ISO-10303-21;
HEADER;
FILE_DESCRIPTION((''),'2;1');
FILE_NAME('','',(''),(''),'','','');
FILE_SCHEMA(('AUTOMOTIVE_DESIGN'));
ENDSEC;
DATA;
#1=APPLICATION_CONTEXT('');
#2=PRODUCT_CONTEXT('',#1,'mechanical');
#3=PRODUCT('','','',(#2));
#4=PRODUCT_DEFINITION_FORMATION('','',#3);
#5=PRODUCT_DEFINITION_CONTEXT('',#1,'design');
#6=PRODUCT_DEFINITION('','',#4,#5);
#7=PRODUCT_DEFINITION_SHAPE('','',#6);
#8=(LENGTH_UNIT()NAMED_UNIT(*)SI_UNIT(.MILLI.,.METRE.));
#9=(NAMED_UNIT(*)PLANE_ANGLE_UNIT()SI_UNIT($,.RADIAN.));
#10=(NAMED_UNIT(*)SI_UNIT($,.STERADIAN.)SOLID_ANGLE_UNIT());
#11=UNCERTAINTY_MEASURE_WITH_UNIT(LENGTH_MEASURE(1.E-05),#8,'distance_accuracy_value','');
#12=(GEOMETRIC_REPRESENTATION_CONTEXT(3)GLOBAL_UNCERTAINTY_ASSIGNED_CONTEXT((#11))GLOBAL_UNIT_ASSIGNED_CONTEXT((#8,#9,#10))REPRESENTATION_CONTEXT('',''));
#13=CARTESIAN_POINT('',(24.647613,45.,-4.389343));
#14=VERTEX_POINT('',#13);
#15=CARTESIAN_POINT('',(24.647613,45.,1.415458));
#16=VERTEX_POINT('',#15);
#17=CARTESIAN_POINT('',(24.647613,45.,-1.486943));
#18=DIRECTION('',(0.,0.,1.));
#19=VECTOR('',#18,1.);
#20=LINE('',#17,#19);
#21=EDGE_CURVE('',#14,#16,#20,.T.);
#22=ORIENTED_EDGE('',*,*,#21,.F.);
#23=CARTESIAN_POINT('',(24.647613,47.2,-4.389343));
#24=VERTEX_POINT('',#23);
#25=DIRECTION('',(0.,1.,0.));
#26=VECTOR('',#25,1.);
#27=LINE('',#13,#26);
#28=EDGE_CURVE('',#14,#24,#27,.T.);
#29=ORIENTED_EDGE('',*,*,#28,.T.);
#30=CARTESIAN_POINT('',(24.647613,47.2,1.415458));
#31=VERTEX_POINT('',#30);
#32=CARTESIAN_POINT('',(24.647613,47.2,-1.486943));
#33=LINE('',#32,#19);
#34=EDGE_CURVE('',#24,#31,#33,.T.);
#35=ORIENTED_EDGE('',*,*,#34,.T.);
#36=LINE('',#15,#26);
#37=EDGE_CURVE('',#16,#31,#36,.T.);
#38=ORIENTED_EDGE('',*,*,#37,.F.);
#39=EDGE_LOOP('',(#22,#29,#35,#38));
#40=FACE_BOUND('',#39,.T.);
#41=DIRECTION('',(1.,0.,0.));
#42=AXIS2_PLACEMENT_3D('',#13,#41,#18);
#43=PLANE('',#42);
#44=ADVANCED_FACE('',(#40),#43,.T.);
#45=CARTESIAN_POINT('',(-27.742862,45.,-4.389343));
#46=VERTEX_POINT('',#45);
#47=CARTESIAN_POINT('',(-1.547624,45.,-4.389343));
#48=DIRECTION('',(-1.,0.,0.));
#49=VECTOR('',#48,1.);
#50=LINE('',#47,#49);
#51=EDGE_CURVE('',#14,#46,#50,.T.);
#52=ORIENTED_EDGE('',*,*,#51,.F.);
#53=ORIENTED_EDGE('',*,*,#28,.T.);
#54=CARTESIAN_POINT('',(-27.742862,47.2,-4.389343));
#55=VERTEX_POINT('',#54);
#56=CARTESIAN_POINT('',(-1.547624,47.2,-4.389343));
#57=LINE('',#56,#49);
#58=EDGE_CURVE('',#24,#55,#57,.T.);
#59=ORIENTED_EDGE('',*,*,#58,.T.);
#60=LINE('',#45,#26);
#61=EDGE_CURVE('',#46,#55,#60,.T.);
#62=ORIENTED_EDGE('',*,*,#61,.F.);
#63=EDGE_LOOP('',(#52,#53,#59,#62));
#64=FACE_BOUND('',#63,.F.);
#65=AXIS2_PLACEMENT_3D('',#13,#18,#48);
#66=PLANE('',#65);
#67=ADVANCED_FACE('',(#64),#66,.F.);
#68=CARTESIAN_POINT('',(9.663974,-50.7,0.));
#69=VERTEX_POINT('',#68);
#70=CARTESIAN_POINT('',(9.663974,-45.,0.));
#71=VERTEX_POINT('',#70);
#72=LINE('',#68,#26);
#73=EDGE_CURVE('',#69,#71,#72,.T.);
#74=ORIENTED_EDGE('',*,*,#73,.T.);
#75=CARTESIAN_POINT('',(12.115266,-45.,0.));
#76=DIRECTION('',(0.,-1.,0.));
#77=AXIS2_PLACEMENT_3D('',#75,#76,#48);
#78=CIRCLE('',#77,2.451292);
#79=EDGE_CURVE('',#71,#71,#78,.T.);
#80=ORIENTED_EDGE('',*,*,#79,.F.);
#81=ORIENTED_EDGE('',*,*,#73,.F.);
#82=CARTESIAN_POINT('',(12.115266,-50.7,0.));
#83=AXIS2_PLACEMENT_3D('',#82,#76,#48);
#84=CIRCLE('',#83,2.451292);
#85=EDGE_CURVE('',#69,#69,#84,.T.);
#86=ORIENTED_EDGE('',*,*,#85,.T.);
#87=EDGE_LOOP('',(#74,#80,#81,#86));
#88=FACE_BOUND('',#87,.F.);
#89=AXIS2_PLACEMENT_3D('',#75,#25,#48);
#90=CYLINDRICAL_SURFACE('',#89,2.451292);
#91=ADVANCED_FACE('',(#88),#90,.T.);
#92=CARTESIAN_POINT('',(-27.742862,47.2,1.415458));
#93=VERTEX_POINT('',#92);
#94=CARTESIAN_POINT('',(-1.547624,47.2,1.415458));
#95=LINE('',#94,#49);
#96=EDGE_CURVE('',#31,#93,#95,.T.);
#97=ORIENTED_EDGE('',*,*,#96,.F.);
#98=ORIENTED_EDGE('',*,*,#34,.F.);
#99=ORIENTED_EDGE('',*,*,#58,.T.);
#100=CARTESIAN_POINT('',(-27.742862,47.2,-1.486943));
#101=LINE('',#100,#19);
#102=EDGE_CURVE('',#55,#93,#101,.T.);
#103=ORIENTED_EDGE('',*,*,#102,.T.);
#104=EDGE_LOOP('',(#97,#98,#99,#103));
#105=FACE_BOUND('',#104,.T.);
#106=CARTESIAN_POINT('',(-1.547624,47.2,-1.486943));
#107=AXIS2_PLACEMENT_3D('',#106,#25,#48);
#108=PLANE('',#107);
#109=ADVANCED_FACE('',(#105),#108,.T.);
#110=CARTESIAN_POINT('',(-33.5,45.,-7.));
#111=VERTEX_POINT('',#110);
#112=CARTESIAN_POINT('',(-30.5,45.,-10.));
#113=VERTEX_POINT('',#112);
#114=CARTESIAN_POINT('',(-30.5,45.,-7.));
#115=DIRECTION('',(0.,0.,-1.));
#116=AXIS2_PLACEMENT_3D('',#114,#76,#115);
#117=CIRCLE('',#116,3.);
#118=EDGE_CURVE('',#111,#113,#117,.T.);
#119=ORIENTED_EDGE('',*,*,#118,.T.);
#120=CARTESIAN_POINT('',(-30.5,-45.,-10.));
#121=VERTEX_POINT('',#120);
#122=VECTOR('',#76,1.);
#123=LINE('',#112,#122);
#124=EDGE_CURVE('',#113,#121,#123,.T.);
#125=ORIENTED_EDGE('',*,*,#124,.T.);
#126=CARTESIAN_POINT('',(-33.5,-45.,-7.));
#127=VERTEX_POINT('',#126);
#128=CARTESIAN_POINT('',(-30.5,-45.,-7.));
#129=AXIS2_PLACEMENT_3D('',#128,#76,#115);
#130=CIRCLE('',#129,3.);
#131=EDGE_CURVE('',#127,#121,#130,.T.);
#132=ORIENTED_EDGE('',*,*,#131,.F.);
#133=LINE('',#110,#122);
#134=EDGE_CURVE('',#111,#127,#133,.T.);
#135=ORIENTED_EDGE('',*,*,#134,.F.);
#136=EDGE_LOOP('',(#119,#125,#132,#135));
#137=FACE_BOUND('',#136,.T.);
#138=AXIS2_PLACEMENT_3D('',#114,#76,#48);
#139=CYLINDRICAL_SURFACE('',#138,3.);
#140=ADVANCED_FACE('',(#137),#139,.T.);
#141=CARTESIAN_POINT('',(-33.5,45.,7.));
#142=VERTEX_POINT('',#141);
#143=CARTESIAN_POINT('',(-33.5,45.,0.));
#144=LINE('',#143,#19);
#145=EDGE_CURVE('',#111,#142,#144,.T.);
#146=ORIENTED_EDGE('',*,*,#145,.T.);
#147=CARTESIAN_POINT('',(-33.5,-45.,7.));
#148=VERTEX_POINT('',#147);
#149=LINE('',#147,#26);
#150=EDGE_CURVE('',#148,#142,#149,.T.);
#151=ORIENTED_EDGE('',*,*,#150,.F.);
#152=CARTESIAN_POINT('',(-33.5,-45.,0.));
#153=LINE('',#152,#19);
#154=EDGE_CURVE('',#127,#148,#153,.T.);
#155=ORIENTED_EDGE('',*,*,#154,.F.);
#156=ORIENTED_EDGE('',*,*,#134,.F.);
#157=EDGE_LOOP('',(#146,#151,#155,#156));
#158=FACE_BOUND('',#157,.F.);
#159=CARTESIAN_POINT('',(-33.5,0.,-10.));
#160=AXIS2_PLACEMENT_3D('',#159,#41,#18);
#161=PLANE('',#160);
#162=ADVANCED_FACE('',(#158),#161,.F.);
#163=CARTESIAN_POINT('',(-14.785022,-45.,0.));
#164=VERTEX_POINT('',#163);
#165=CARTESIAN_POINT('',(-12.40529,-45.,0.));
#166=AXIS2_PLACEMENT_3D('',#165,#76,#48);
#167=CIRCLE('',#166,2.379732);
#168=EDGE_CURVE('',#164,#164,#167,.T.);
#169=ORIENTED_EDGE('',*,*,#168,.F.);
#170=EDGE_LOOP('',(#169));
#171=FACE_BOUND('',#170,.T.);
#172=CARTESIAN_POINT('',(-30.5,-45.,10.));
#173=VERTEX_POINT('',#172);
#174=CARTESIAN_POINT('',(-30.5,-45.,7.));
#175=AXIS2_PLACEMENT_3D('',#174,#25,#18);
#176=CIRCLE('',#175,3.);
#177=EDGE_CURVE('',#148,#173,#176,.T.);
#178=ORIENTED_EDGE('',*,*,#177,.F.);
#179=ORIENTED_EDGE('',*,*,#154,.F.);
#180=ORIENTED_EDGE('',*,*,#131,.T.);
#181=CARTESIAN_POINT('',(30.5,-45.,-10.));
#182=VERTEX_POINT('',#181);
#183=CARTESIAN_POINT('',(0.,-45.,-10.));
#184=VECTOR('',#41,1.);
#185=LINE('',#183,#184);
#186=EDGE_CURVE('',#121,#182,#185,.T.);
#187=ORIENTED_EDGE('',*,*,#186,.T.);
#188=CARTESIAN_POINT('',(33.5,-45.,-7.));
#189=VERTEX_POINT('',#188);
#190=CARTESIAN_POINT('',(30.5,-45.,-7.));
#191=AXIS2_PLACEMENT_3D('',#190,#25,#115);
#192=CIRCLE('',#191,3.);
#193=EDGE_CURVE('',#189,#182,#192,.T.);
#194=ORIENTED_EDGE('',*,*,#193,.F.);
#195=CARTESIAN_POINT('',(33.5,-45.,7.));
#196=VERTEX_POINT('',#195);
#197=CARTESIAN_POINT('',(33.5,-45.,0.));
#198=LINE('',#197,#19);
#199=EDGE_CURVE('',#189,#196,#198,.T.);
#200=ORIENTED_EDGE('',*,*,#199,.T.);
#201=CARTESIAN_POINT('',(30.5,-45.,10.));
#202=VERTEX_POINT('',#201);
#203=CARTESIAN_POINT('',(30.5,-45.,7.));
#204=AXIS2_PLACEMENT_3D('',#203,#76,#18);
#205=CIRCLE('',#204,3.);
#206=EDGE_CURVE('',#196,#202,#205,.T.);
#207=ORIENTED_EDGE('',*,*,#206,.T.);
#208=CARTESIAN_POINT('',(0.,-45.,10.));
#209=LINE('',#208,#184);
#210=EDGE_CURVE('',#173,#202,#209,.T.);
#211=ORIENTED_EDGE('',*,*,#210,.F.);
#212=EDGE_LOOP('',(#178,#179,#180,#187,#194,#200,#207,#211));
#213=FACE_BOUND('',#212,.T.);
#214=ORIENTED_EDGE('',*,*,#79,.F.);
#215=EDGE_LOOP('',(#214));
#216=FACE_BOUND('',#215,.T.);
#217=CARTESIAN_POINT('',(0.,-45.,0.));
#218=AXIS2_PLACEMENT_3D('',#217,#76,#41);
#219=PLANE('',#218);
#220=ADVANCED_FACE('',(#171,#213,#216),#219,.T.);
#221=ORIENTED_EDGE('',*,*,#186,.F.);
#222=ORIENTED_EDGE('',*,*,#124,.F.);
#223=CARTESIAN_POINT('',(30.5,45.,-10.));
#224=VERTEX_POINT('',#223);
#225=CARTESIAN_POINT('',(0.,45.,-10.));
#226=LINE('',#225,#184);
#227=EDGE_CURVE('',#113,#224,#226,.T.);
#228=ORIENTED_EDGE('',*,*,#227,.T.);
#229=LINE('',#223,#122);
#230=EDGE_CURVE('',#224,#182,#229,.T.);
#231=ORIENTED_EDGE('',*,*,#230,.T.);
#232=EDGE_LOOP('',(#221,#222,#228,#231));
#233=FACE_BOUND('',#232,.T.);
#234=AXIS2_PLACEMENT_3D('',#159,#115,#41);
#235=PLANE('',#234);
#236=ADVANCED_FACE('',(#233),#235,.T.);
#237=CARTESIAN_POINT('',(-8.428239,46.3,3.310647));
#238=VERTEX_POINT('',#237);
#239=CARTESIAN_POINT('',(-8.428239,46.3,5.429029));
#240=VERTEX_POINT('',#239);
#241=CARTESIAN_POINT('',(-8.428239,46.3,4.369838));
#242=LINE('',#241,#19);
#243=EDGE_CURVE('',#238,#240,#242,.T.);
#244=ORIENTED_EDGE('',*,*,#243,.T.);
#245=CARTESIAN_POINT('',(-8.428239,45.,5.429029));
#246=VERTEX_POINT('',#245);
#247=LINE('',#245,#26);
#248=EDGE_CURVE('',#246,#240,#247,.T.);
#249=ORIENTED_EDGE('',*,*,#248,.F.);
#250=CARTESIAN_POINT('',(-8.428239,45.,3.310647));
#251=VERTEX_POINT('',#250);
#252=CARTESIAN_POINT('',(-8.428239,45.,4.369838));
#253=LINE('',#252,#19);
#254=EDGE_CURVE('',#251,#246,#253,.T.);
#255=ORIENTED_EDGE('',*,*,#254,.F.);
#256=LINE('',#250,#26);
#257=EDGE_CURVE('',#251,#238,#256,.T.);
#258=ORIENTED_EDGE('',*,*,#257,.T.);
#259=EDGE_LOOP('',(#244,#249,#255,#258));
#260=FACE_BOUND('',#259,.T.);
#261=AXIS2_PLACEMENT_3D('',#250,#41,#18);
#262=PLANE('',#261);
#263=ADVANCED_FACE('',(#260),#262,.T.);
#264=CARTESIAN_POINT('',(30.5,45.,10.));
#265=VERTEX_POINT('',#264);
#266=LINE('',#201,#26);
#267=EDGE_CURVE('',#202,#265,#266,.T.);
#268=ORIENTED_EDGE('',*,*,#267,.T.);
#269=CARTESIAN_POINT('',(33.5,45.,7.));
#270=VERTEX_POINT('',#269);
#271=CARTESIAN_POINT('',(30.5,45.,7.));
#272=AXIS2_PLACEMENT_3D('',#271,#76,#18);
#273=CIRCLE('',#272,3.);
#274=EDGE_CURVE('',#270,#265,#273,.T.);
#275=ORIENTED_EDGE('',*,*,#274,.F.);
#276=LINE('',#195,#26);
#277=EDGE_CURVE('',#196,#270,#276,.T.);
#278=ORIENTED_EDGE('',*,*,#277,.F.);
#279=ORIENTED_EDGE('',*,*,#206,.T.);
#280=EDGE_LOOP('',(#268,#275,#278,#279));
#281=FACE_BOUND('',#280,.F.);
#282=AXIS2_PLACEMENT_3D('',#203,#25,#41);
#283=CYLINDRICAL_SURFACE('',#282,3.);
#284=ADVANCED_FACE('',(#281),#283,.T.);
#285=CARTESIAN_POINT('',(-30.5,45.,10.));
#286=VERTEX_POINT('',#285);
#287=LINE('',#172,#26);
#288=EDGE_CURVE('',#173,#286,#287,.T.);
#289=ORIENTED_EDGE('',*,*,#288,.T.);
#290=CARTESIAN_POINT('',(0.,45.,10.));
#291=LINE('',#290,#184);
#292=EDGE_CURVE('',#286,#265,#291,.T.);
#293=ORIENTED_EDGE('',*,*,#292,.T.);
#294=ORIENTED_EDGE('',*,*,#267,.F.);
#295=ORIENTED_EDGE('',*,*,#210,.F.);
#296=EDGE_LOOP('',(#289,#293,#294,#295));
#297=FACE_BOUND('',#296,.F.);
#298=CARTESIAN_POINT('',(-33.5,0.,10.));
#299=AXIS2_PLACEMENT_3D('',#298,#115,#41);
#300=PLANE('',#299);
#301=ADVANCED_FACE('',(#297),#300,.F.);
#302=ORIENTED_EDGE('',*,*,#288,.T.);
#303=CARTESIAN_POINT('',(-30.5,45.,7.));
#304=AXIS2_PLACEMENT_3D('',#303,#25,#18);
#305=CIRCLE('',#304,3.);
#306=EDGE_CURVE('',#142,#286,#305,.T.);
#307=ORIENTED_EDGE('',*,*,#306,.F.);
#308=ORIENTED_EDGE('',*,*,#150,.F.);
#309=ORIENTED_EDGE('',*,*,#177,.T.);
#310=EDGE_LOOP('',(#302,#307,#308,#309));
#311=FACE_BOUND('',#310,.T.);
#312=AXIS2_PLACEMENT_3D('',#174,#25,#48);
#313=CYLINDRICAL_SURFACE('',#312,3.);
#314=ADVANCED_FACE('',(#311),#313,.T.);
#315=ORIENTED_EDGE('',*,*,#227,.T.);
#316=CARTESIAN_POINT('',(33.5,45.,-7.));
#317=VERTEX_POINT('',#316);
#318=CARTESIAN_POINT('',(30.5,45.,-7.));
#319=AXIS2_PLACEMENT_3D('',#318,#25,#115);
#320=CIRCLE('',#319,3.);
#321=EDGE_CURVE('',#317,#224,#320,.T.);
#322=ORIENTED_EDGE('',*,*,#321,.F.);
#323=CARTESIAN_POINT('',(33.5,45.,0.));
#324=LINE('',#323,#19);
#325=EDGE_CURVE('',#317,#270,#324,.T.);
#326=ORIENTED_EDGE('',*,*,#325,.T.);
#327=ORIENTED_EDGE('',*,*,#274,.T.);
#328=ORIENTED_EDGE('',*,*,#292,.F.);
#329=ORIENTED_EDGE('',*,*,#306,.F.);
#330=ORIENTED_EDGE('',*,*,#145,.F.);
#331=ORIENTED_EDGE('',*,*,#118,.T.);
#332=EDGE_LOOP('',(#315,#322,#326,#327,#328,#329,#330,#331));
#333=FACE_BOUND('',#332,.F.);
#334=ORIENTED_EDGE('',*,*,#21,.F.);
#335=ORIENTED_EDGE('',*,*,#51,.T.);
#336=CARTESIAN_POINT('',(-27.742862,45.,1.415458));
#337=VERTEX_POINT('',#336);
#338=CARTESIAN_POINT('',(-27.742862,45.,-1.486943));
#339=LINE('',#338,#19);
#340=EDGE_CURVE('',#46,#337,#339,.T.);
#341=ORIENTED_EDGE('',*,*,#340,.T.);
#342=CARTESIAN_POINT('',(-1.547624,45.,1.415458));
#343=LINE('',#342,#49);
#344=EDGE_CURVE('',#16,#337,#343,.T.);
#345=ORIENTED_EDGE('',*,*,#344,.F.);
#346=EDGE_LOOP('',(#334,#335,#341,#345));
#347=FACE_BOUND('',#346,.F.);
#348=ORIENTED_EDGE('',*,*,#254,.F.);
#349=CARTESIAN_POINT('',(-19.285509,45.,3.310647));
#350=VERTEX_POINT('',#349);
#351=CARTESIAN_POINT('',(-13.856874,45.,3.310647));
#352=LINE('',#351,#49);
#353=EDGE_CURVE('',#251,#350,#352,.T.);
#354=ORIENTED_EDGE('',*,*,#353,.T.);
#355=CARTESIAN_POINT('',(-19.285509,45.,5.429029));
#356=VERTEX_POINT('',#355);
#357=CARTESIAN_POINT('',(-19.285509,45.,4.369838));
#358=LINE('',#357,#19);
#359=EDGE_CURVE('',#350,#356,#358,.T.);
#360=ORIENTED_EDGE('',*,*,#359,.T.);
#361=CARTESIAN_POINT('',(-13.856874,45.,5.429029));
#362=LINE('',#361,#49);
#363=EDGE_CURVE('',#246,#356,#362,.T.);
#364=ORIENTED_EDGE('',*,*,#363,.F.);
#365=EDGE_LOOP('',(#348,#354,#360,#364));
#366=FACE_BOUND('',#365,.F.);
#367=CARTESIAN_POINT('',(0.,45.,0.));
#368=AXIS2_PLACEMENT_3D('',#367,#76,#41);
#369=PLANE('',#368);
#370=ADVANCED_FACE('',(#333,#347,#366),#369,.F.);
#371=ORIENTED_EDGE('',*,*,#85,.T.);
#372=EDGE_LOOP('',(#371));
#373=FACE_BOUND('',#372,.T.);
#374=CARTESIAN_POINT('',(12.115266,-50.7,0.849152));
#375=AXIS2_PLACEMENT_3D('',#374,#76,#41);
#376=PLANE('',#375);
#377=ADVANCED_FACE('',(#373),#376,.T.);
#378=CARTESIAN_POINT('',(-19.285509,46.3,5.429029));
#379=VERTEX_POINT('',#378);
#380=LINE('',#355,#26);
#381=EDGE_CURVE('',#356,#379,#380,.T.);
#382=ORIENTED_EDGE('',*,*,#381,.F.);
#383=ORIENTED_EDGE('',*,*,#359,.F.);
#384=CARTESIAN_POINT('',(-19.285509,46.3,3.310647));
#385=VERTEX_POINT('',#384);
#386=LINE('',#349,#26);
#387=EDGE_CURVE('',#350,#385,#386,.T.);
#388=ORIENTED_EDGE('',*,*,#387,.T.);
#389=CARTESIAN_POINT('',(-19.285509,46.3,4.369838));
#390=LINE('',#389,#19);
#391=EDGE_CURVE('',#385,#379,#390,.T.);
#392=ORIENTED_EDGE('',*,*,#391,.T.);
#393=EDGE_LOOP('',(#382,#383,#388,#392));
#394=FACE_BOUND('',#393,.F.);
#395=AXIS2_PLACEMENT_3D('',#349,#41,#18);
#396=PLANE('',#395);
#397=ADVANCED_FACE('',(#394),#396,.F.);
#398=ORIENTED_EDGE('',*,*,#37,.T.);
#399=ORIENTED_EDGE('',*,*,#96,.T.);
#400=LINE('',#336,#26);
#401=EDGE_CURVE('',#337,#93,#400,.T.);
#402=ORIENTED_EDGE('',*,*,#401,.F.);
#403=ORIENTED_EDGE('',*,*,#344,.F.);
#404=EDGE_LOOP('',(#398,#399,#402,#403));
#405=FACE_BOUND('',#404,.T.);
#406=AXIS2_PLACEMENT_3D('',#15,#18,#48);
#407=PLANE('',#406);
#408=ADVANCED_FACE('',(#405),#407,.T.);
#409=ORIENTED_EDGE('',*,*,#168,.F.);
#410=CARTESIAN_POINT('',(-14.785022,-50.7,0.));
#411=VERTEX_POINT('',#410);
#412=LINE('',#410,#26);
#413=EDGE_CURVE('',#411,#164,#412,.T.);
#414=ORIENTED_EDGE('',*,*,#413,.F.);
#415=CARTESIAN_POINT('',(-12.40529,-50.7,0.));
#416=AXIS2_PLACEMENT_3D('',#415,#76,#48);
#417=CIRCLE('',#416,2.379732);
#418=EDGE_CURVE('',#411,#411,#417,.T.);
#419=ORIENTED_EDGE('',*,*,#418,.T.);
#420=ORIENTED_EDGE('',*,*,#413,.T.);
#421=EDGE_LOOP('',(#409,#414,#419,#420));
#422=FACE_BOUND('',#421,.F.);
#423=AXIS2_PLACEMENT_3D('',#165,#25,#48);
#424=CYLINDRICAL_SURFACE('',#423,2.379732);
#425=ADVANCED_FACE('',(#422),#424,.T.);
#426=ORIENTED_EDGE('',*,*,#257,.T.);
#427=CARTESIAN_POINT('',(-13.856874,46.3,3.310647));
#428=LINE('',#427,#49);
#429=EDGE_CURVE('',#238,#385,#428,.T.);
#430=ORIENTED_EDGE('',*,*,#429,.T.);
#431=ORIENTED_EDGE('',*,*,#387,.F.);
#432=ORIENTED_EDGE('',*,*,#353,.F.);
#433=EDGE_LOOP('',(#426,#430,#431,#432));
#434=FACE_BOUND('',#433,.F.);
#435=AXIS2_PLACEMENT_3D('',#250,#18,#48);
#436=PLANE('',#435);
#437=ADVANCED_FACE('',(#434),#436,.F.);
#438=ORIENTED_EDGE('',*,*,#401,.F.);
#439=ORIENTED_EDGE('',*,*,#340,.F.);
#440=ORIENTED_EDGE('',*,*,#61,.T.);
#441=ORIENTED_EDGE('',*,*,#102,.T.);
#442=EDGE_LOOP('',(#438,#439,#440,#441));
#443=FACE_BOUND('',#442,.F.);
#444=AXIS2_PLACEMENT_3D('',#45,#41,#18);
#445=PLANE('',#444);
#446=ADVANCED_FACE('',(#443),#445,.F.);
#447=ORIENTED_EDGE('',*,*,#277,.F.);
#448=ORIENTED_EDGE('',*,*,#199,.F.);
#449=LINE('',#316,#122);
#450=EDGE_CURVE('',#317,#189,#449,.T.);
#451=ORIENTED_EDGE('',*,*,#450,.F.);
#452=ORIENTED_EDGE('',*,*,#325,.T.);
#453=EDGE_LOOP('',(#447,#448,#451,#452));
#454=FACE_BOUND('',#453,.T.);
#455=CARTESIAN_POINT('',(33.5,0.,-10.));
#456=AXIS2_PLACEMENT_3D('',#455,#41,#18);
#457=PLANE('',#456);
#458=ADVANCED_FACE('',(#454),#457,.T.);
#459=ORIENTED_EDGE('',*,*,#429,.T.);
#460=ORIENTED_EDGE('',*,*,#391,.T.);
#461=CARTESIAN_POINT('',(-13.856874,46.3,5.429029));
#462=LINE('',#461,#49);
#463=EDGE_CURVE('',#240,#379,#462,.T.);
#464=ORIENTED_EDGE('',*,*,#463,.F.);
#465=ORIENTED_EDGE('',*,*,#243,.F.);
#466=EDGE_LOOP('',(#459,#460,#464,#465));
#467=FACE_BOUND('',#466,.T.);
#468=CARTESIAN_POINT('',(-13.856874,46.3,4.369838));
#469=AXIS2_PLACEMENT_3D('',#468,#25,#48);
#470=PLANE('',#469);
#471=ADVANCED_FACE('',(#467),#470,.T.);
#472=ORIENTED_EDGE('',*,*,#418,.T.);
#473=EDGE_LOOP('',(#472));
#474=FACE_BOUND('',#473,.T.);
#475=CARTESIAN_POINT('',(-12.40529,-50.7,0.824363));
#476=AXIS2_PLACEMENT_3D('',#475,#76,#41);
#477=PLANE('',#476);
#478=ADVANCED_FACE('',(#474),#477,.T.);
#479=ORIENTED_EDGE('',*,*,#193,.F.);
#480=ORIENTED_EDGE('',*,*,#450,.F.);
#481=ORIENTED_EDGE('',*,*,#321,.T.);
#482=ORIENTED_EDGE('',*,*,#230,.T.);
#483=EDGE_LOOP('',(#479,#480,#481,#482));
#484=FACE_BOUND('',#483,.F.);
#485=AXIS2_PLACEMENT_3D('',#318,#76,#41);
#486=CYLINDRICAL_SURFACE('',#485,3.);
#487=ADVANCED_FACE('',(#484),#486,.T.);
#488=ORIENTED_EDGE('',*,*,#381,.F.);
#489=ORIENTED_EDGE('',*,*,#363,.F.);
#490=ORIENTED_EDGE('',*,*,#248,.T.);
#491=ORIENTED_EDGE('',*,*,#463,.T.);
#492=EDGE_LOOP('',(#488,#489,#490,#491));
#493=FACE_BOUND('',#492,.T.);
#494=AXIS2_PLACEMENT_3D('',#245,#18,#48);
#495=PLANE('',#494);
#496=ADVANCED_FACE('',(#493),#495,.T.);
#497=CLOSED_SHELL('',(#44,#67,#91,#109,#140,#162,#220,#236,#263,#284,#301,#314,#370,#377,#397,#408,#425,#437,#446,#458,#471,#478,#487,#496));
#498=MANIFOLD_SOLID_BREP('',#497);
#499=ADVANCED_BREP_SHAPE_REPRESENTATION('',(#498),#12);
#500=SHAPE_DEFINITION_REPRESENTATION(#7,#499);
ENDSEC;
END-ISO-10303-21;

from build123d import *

# Parameters (mm, degrees)
F0_W     = 67
F0_H     = 20
F1_DEPTH = 45
F2_R     = 3
F4_DEPTH = 5.6
F5_DEPTH = 5.7
F6_W     = 52.390475
F6_H     = 5.804801
F7_DEPTH = 2.2
F6_W_2   = 10.85727
F6_H_2   = 2.118381
F8_DEPTH = 1.3


with BuildPart() as f1:
    # F0 (on Front) → F1 (new body, symmetric)
    with BuildSketch(Plane.XZ):
        Rectangle(F0_W, F0_H)
    extrude(amount=F1_DEPTH, both=True)

    # F2
    f2_edges = [f1.edges().sort_by_distance(p)[0] for p in [
        (-33.5, 0, 10),
        (-33.5, 0, -10),
        (33.5, 0, 10),
        (33.5, 0, -10),
    ]]
    fillet(f2_edges, radius=F2_R)

    # F3 (on face) → F4 (join)
    with BuildSketch(Plane.XZ.offset(45)):
        with BuildLine():
            ThreePointArc((-10.025558, 0), (-12.40529, 2.379732), (-14.785022, 0))
            Line((-14.785022, 0), (-10.025558, 0))
        make_face()
        with BuildLine():
            ThreePointArc((14.566558, 0), (12.115266, 2.451292), (9.663974, 0))
            Line((9.663974, 0), (14.566558, 0))
        make_face()
        with BuildLine():
            Line((14.566558, 0), (9.663974, 0))
            ThreePointArc((9.663974, 0), (12.115266, -2.451292), (14.566558, 0))
        make_face()
        with BuildLine():
            Line((-10.025558, 0), (-14.785022, 0))
            ThreePointArc((-14.785022, 0), (-12.40529, -2.379732), (-10.025558, 0))
        make_face()
    extrude(amount=F4_DEPTH)

    # F3 (on face) → F5 (join)
    with BuildSketch(Plane.XZ.offset(45)):
        with BuildLine():
            ThreePointArc((-10.025558, 0), (-12.40529, 2.379732), (-14.785022, 0))
            Line((-14.785022, 0), (-10.025558, 0))
        make_face()
        with BuildLine():
            ThreePointArc((14.566558, 0), (12.115266, 2.451292), (9.663974, 0))
            Line((9.663974, 0), (14.566558, 0))
        make_face()
        with BuildLine():
            Line((14.566558, 0), (9.663974, 0))
            ThreePointArc((9.663974, 0), (12.115266, -2.451292), (14.566558, 0))
        make_face()
        with BuildLine():
            Line((-10.025558, 0), (-14.785022, 0))
            ThreePointArc((-14.785022, 0), (-12.40529, -2.379732), (-10.025558, 0))
        make_face()
    extrude(amount=F5_DEPTH)

    # F6 (on face) → F7 (join)
    with BuildSketch(Plane(origin=(0, 45, 0), x_dir=(-1, 0, 0), z_dir=(0, 1, 0))):
        with Locations((1.547624, -1.486943)):
            Rectangle(F6_W, F6_H)
    extrude(amount=F7_DEPTH)

    # F6 (on face) → F8 (join)
    with BuildSketch(Plane(origin=(0, 45, 0), x_dir=(-1, 0, 0), z_dir=(0, 1, 0))):
        with Locations((13.856874, 4.369838)):
            Rectangle(F6_W_2, F6_H_2)
    extrude(amount=F8_DEPTH)


solid = f1.part
